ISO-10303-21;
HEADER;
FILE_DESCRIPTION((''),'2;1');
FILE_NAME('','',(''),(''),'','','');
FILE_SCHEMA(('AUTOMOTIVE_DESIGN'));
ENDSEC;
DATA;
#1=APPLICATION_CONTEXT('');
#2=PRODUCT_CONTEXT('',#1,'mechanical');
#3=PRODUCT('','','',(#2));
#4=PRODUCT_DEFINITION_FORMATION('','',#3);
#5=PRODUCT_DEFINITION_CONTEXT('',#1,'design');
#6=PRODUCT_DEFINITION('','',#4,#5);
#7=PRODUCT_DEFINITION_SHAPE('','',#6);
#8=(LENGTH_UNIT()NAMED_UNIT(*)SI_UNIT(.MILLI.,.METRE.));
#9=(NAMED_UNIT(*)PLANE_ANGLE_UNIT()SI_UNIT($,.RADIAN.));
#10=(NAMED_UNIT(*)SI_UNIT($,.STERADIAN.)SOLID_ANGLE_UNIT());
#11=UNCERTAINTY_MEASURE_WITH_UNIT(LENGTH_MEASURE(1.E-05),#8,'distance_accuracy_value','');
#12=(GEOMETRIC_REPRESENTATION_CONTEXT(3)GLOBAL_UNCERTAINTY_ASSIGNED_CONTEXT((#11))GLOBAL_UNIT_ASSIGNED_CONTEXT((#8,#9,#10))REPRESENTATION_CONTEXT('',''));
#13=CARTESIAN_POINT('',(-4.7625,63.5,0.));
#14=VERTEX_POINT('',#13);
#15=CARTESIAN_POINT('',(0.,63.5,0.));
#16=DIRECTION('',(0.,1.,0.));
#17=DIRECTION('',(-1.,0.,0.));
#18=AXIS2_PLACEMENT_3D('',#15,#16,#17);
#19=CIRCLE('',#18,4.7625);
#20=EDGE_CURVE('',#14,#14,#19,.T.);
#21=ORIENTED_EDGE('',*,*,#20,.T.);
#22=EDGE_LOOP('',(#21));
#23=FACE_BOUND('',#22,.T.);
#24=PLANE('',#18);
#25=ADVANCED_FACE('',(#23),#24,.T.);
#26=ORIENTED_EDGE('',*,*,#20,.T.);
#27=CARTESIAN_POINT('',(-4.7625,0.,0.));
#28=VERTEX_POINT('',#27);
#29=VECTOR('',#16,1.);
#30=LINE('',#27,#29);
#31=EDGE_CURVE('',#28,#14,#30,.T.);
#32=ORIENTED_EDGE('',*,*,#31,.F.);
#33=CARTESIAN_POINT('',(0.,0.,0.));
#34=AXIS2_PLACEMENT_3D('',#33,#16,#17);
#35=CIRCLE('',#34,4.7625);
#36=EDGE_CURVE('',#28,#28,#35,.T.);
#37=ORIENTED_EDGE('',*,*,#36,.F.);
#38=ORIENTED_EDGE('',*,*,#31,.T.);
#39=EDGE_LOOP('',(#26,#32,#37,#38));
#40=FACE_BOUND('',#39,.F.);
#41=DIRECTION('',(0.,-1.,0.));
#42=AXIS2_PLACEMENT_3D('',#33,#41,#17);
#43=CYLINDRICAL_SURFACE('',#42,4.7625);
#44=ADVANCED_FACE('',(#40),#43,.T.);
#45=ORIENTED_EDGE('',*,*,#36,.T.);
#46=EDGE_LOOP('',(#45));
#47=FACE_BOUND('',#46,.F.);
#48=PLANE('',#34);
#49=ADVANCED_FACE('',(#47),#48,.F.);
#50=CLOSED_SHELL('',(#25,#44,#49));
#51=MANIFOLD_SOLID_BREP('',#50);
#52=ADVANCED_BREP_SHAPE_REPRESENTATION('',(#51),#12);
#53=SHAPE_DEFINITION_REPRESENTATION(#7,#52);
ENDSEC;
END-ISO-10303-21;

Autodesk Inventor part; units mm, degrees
ref_plane "YZ Plane" through (0, 0, 0) normal (1, 0, 0) x (0, 1, 0)
ref_plane "XZ Plane" through (0, 0, 0) normal (0, 1, 0) x (-1, 0, 0)
ref_plane "XY Plane" through (0, 0, 0) normal (0, 0, 1) x (1, 0, 0)
sketch "Sketch1" plane through (0, 0, 0) normal (0, 1, 0) x (-1, 0, 0)
  circle A0 centre (0, 0) radius 4.7625
  dimension "d0" = 9.525
extrude "Extrusion1" add sketch "Sketch1" along normal blind 63.5
properties part number "Pin"
